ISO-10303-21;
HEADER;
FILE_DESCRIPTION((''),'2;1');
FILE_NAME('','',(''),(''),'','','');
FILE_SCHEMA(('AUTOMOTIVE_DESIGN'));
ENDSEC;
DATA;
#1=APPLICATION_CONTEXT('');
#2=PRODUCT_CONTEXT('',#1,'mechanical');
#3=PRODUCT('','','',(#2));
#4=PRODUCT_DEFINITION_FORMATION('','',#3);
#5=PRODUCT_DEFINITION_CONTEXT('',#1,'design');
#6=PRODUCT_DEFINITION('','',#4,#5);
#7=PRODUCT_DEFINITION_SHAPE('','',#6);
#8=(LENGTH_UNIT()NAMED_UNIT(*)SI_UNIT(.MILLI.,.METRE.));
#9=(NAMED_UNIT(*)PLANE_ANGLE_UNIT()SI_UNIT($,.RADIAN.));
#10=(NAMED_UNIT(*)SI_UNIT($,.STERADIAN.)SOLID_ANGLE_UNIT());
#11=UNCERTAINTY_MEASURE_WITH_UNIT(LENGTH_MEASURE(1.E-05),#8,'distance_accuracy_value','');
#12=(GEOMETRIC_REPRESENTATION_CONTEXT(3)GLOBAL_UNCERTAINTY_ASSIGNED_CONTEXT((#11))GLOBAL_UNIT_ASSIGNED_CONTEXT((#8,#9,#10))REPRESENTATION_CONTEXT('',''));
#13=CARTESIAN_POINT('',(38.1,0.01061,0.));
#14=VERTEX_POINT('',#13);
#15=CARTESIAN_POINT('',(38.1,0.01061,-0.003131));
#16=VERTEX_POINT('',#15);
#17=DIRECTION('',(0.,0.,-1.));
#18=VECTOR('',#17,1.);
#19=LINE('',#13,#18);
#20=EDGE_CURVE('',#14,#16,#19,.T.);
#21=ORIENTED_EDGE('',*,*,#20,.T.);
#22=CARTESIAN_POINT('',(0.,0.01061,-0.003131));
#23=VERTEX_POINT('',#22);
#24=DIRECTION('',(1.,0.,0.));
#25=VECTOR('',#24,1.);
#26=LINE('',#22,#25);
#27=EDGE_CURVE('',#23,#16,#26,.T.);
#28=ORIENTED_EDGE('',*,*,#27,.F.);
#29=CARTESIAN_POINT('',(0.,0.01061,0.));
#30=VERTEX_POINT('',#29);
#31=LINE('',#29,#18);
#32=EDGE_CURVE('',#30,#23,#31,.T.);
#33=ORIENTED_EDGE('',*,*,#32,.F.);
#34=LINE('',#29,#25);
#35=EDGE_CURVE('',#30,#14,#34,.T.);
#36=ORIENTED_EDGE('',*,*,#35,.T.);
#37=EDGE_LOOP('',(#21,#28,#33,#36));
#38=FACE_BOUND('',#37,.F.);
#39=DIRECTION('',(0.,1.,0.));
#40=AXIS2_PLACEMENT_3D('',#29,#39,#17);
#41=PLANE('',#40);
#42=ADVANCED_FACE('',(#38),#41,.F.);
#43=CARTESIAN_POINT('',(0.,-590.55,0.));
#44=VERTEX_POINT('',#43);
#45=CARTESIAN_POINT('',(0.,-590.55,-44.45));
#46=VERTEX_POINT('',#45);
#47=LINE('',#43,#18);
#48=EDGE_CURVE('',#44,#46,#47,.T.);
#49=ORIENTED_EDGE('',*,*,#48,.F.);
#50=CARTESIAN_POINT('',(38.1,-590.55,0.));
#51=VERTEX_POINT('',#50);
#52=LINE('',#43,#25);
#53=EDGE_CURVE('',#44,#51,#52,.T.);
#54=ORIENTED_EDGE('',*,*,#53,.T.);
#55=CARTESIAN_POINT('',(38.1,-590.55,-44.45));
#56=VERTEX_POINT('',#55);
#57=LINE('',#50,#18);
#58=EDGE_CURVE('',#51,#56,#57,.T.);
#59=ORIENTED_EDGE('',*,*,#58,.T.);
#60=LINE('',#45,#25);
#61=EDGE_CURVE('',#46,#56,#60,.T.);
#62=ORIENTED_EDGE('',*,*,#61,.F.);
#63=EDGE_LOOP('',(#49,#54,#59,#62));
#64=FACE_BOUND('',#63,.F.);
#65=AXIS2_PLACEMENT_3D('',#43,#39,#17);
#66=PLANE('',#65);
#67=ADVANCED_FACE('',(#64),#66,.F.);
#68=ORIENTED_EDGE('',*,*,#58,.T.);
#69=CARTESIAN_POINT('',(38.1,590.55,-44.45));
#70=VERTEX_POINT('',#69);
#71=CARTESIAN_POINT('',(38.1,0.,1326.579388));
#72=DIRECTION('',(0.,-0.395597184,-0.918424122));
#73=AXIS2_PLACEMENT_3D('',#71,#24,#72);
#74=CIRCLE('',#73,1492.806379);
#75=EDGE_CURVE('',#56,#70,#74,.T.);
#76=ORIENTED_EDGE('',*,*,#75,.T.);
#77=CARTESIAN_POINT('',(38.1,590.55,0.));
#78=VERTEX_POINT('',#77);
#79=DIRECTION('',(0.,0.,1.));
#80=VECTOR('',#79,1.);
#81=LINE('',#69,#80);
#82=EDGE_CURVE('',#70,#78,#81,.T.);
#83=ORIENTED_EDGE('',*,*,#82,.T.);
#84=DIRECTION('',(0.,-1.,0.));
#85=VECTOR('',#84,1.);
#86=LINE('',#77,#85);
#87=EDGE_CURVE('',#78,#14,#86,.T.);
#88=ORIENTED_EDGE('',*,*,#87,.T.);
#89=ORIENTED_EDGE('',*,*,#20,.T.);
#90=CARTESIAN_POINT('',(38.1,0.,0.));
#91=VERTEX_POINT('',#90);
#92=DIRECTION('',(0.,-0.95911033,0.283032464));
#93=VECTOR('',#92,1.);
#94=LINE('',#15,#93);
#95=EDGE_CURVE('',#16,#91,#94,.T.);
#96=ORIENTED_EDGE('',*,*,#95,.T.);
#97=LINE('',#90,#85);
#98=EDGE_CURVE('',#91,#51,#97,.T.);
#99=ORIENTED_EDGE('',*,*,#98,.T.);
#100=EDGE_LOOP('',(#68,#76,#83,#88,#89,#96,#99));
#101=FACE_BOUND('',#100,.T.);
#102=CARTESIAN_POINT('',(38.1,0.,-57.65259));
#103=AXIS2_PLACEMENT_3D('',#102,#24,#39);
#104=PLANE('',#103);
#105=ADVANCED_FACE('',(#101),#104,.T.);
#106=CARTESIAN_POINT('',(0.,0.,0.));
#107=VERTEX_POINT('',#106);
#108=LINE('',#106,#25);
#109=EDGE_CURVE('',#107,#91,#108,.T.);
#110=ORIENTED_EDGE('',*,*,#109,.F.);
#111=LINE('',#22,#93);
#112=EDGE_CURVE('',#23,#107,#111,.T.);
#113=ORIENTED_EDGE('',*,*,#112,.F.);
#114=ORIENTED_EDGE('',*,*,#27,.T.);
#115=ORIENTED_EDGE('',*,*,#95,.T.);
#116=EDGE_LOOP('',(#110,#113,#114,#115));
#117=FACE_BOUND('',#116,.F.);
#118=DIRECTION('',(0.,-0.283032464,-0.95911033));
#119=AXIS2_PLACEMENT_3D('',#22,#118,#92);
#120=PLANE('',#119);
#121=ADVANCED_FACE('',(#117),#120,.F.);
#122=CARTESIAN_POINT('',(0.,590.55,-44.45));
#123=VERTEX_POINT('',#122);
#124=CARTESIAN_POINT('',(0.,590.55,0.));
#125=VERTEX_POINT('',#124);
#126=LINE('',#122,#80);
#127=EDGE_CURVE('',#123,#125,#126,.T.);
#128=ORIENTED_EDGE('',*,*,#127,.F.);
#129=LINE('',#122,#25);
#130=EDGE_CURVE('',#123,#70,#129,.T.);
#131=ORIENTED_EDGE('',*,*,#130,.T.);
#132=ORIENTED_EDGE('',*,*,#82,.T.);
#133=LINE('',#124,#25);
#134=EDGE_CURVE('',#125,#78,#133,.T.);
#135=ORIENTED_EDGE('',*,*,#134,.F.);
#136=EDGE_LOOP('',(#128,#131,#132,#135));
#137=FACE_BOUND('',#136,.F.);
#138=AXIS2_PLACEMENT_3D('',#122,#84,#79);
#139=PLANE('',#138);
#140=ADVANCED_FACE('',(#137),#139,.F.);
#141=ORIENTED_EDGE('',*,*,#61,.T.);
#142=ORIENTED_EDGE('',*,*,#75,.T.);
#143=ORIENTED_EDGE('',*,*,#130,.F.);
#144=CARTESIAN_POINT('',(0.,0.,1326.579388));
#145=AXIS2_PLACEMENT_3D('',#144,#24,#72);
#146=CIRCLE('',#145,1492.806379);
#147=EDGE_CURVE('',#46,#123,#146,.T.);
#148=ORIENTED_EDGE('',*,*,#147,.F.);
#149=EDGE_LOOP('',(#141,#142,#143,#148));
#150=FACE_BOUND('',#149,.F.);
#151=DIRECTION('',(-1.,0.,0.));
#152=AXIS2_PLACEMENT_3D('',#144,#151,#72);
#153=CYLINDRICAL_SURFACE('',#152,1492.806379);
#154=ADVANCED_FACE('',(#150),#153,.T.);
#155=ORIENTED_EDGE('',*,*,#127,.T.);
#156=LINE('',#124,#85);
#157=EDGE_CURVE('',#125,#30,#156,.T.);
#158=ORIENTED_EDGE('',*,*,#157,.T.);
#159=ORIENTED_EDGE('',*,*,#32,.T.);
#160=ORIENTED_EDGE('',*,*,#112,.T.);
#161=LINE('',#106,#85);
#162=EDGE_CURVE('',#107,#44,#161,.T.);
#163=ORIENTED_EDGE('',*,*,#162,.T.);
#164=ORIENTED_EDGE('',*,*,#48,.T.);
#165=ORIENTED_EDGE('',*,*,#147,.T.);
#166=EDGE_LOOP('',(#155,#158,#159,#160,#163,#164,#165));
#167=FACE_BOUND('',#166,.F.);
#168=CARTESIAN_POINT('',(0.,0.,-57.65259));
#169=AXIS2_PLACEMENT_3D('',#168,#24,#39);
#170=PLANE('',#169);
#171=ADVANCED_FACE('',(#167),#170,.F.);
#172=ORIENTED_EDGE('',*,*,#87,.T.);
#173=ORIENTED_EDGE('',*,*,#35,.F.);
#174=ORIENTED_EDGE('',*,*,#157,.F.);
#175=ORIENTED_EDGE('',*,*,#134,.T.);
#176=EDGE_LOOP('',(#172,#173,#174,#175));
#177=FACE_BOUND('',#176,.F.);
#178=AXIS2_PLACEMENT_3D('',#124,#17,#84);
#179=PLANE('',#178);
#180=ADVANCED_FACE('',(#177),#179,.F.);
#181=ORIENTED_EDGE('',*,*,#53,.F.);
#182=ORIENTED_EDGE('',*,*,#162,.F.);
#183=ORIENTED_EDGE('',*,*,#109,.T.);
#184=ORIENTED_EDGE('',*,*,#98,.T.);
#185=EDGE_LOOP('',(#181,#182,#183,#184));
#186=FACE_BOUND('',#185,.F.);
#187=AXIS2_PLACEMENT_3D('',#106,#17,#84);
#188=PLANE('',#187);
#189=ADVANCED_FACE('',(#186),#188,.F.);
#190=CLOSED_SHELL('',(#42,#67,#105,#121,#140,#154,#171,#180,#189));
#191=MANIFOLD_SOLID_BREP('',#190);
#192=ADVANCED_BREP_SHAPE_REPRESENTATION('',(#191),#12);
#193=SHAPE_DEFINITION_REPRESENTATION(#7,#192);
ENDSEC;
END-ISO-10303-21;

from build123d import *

# Parameters (mm, degrees)
F0_DEPTH = 38.1


with BuildPart() as f0:
    # F2 (on Right) → F0 (new body)
    with BuildSketch(Plane.YZ):
        with BuildLine():
            Line((0, 0), (-590.55, 0))
            Line((-590.55, 0), (-590.55, -44.45))
            ThreePointArc((-590.55, -44.45), (0, -166.226991), (590.55, -44.45))
            Line((590.55, -44.45), (590.55, 0))
            Line((590.55, 0), (0.01061, 0))
            Line((0.01061, 0), (0.01061, -0.003131))
            Line((0.01061, -0.003131), (0, 0))
        make_face()
    extrude(amount=F0_DEPTH)


solid = f0.part
